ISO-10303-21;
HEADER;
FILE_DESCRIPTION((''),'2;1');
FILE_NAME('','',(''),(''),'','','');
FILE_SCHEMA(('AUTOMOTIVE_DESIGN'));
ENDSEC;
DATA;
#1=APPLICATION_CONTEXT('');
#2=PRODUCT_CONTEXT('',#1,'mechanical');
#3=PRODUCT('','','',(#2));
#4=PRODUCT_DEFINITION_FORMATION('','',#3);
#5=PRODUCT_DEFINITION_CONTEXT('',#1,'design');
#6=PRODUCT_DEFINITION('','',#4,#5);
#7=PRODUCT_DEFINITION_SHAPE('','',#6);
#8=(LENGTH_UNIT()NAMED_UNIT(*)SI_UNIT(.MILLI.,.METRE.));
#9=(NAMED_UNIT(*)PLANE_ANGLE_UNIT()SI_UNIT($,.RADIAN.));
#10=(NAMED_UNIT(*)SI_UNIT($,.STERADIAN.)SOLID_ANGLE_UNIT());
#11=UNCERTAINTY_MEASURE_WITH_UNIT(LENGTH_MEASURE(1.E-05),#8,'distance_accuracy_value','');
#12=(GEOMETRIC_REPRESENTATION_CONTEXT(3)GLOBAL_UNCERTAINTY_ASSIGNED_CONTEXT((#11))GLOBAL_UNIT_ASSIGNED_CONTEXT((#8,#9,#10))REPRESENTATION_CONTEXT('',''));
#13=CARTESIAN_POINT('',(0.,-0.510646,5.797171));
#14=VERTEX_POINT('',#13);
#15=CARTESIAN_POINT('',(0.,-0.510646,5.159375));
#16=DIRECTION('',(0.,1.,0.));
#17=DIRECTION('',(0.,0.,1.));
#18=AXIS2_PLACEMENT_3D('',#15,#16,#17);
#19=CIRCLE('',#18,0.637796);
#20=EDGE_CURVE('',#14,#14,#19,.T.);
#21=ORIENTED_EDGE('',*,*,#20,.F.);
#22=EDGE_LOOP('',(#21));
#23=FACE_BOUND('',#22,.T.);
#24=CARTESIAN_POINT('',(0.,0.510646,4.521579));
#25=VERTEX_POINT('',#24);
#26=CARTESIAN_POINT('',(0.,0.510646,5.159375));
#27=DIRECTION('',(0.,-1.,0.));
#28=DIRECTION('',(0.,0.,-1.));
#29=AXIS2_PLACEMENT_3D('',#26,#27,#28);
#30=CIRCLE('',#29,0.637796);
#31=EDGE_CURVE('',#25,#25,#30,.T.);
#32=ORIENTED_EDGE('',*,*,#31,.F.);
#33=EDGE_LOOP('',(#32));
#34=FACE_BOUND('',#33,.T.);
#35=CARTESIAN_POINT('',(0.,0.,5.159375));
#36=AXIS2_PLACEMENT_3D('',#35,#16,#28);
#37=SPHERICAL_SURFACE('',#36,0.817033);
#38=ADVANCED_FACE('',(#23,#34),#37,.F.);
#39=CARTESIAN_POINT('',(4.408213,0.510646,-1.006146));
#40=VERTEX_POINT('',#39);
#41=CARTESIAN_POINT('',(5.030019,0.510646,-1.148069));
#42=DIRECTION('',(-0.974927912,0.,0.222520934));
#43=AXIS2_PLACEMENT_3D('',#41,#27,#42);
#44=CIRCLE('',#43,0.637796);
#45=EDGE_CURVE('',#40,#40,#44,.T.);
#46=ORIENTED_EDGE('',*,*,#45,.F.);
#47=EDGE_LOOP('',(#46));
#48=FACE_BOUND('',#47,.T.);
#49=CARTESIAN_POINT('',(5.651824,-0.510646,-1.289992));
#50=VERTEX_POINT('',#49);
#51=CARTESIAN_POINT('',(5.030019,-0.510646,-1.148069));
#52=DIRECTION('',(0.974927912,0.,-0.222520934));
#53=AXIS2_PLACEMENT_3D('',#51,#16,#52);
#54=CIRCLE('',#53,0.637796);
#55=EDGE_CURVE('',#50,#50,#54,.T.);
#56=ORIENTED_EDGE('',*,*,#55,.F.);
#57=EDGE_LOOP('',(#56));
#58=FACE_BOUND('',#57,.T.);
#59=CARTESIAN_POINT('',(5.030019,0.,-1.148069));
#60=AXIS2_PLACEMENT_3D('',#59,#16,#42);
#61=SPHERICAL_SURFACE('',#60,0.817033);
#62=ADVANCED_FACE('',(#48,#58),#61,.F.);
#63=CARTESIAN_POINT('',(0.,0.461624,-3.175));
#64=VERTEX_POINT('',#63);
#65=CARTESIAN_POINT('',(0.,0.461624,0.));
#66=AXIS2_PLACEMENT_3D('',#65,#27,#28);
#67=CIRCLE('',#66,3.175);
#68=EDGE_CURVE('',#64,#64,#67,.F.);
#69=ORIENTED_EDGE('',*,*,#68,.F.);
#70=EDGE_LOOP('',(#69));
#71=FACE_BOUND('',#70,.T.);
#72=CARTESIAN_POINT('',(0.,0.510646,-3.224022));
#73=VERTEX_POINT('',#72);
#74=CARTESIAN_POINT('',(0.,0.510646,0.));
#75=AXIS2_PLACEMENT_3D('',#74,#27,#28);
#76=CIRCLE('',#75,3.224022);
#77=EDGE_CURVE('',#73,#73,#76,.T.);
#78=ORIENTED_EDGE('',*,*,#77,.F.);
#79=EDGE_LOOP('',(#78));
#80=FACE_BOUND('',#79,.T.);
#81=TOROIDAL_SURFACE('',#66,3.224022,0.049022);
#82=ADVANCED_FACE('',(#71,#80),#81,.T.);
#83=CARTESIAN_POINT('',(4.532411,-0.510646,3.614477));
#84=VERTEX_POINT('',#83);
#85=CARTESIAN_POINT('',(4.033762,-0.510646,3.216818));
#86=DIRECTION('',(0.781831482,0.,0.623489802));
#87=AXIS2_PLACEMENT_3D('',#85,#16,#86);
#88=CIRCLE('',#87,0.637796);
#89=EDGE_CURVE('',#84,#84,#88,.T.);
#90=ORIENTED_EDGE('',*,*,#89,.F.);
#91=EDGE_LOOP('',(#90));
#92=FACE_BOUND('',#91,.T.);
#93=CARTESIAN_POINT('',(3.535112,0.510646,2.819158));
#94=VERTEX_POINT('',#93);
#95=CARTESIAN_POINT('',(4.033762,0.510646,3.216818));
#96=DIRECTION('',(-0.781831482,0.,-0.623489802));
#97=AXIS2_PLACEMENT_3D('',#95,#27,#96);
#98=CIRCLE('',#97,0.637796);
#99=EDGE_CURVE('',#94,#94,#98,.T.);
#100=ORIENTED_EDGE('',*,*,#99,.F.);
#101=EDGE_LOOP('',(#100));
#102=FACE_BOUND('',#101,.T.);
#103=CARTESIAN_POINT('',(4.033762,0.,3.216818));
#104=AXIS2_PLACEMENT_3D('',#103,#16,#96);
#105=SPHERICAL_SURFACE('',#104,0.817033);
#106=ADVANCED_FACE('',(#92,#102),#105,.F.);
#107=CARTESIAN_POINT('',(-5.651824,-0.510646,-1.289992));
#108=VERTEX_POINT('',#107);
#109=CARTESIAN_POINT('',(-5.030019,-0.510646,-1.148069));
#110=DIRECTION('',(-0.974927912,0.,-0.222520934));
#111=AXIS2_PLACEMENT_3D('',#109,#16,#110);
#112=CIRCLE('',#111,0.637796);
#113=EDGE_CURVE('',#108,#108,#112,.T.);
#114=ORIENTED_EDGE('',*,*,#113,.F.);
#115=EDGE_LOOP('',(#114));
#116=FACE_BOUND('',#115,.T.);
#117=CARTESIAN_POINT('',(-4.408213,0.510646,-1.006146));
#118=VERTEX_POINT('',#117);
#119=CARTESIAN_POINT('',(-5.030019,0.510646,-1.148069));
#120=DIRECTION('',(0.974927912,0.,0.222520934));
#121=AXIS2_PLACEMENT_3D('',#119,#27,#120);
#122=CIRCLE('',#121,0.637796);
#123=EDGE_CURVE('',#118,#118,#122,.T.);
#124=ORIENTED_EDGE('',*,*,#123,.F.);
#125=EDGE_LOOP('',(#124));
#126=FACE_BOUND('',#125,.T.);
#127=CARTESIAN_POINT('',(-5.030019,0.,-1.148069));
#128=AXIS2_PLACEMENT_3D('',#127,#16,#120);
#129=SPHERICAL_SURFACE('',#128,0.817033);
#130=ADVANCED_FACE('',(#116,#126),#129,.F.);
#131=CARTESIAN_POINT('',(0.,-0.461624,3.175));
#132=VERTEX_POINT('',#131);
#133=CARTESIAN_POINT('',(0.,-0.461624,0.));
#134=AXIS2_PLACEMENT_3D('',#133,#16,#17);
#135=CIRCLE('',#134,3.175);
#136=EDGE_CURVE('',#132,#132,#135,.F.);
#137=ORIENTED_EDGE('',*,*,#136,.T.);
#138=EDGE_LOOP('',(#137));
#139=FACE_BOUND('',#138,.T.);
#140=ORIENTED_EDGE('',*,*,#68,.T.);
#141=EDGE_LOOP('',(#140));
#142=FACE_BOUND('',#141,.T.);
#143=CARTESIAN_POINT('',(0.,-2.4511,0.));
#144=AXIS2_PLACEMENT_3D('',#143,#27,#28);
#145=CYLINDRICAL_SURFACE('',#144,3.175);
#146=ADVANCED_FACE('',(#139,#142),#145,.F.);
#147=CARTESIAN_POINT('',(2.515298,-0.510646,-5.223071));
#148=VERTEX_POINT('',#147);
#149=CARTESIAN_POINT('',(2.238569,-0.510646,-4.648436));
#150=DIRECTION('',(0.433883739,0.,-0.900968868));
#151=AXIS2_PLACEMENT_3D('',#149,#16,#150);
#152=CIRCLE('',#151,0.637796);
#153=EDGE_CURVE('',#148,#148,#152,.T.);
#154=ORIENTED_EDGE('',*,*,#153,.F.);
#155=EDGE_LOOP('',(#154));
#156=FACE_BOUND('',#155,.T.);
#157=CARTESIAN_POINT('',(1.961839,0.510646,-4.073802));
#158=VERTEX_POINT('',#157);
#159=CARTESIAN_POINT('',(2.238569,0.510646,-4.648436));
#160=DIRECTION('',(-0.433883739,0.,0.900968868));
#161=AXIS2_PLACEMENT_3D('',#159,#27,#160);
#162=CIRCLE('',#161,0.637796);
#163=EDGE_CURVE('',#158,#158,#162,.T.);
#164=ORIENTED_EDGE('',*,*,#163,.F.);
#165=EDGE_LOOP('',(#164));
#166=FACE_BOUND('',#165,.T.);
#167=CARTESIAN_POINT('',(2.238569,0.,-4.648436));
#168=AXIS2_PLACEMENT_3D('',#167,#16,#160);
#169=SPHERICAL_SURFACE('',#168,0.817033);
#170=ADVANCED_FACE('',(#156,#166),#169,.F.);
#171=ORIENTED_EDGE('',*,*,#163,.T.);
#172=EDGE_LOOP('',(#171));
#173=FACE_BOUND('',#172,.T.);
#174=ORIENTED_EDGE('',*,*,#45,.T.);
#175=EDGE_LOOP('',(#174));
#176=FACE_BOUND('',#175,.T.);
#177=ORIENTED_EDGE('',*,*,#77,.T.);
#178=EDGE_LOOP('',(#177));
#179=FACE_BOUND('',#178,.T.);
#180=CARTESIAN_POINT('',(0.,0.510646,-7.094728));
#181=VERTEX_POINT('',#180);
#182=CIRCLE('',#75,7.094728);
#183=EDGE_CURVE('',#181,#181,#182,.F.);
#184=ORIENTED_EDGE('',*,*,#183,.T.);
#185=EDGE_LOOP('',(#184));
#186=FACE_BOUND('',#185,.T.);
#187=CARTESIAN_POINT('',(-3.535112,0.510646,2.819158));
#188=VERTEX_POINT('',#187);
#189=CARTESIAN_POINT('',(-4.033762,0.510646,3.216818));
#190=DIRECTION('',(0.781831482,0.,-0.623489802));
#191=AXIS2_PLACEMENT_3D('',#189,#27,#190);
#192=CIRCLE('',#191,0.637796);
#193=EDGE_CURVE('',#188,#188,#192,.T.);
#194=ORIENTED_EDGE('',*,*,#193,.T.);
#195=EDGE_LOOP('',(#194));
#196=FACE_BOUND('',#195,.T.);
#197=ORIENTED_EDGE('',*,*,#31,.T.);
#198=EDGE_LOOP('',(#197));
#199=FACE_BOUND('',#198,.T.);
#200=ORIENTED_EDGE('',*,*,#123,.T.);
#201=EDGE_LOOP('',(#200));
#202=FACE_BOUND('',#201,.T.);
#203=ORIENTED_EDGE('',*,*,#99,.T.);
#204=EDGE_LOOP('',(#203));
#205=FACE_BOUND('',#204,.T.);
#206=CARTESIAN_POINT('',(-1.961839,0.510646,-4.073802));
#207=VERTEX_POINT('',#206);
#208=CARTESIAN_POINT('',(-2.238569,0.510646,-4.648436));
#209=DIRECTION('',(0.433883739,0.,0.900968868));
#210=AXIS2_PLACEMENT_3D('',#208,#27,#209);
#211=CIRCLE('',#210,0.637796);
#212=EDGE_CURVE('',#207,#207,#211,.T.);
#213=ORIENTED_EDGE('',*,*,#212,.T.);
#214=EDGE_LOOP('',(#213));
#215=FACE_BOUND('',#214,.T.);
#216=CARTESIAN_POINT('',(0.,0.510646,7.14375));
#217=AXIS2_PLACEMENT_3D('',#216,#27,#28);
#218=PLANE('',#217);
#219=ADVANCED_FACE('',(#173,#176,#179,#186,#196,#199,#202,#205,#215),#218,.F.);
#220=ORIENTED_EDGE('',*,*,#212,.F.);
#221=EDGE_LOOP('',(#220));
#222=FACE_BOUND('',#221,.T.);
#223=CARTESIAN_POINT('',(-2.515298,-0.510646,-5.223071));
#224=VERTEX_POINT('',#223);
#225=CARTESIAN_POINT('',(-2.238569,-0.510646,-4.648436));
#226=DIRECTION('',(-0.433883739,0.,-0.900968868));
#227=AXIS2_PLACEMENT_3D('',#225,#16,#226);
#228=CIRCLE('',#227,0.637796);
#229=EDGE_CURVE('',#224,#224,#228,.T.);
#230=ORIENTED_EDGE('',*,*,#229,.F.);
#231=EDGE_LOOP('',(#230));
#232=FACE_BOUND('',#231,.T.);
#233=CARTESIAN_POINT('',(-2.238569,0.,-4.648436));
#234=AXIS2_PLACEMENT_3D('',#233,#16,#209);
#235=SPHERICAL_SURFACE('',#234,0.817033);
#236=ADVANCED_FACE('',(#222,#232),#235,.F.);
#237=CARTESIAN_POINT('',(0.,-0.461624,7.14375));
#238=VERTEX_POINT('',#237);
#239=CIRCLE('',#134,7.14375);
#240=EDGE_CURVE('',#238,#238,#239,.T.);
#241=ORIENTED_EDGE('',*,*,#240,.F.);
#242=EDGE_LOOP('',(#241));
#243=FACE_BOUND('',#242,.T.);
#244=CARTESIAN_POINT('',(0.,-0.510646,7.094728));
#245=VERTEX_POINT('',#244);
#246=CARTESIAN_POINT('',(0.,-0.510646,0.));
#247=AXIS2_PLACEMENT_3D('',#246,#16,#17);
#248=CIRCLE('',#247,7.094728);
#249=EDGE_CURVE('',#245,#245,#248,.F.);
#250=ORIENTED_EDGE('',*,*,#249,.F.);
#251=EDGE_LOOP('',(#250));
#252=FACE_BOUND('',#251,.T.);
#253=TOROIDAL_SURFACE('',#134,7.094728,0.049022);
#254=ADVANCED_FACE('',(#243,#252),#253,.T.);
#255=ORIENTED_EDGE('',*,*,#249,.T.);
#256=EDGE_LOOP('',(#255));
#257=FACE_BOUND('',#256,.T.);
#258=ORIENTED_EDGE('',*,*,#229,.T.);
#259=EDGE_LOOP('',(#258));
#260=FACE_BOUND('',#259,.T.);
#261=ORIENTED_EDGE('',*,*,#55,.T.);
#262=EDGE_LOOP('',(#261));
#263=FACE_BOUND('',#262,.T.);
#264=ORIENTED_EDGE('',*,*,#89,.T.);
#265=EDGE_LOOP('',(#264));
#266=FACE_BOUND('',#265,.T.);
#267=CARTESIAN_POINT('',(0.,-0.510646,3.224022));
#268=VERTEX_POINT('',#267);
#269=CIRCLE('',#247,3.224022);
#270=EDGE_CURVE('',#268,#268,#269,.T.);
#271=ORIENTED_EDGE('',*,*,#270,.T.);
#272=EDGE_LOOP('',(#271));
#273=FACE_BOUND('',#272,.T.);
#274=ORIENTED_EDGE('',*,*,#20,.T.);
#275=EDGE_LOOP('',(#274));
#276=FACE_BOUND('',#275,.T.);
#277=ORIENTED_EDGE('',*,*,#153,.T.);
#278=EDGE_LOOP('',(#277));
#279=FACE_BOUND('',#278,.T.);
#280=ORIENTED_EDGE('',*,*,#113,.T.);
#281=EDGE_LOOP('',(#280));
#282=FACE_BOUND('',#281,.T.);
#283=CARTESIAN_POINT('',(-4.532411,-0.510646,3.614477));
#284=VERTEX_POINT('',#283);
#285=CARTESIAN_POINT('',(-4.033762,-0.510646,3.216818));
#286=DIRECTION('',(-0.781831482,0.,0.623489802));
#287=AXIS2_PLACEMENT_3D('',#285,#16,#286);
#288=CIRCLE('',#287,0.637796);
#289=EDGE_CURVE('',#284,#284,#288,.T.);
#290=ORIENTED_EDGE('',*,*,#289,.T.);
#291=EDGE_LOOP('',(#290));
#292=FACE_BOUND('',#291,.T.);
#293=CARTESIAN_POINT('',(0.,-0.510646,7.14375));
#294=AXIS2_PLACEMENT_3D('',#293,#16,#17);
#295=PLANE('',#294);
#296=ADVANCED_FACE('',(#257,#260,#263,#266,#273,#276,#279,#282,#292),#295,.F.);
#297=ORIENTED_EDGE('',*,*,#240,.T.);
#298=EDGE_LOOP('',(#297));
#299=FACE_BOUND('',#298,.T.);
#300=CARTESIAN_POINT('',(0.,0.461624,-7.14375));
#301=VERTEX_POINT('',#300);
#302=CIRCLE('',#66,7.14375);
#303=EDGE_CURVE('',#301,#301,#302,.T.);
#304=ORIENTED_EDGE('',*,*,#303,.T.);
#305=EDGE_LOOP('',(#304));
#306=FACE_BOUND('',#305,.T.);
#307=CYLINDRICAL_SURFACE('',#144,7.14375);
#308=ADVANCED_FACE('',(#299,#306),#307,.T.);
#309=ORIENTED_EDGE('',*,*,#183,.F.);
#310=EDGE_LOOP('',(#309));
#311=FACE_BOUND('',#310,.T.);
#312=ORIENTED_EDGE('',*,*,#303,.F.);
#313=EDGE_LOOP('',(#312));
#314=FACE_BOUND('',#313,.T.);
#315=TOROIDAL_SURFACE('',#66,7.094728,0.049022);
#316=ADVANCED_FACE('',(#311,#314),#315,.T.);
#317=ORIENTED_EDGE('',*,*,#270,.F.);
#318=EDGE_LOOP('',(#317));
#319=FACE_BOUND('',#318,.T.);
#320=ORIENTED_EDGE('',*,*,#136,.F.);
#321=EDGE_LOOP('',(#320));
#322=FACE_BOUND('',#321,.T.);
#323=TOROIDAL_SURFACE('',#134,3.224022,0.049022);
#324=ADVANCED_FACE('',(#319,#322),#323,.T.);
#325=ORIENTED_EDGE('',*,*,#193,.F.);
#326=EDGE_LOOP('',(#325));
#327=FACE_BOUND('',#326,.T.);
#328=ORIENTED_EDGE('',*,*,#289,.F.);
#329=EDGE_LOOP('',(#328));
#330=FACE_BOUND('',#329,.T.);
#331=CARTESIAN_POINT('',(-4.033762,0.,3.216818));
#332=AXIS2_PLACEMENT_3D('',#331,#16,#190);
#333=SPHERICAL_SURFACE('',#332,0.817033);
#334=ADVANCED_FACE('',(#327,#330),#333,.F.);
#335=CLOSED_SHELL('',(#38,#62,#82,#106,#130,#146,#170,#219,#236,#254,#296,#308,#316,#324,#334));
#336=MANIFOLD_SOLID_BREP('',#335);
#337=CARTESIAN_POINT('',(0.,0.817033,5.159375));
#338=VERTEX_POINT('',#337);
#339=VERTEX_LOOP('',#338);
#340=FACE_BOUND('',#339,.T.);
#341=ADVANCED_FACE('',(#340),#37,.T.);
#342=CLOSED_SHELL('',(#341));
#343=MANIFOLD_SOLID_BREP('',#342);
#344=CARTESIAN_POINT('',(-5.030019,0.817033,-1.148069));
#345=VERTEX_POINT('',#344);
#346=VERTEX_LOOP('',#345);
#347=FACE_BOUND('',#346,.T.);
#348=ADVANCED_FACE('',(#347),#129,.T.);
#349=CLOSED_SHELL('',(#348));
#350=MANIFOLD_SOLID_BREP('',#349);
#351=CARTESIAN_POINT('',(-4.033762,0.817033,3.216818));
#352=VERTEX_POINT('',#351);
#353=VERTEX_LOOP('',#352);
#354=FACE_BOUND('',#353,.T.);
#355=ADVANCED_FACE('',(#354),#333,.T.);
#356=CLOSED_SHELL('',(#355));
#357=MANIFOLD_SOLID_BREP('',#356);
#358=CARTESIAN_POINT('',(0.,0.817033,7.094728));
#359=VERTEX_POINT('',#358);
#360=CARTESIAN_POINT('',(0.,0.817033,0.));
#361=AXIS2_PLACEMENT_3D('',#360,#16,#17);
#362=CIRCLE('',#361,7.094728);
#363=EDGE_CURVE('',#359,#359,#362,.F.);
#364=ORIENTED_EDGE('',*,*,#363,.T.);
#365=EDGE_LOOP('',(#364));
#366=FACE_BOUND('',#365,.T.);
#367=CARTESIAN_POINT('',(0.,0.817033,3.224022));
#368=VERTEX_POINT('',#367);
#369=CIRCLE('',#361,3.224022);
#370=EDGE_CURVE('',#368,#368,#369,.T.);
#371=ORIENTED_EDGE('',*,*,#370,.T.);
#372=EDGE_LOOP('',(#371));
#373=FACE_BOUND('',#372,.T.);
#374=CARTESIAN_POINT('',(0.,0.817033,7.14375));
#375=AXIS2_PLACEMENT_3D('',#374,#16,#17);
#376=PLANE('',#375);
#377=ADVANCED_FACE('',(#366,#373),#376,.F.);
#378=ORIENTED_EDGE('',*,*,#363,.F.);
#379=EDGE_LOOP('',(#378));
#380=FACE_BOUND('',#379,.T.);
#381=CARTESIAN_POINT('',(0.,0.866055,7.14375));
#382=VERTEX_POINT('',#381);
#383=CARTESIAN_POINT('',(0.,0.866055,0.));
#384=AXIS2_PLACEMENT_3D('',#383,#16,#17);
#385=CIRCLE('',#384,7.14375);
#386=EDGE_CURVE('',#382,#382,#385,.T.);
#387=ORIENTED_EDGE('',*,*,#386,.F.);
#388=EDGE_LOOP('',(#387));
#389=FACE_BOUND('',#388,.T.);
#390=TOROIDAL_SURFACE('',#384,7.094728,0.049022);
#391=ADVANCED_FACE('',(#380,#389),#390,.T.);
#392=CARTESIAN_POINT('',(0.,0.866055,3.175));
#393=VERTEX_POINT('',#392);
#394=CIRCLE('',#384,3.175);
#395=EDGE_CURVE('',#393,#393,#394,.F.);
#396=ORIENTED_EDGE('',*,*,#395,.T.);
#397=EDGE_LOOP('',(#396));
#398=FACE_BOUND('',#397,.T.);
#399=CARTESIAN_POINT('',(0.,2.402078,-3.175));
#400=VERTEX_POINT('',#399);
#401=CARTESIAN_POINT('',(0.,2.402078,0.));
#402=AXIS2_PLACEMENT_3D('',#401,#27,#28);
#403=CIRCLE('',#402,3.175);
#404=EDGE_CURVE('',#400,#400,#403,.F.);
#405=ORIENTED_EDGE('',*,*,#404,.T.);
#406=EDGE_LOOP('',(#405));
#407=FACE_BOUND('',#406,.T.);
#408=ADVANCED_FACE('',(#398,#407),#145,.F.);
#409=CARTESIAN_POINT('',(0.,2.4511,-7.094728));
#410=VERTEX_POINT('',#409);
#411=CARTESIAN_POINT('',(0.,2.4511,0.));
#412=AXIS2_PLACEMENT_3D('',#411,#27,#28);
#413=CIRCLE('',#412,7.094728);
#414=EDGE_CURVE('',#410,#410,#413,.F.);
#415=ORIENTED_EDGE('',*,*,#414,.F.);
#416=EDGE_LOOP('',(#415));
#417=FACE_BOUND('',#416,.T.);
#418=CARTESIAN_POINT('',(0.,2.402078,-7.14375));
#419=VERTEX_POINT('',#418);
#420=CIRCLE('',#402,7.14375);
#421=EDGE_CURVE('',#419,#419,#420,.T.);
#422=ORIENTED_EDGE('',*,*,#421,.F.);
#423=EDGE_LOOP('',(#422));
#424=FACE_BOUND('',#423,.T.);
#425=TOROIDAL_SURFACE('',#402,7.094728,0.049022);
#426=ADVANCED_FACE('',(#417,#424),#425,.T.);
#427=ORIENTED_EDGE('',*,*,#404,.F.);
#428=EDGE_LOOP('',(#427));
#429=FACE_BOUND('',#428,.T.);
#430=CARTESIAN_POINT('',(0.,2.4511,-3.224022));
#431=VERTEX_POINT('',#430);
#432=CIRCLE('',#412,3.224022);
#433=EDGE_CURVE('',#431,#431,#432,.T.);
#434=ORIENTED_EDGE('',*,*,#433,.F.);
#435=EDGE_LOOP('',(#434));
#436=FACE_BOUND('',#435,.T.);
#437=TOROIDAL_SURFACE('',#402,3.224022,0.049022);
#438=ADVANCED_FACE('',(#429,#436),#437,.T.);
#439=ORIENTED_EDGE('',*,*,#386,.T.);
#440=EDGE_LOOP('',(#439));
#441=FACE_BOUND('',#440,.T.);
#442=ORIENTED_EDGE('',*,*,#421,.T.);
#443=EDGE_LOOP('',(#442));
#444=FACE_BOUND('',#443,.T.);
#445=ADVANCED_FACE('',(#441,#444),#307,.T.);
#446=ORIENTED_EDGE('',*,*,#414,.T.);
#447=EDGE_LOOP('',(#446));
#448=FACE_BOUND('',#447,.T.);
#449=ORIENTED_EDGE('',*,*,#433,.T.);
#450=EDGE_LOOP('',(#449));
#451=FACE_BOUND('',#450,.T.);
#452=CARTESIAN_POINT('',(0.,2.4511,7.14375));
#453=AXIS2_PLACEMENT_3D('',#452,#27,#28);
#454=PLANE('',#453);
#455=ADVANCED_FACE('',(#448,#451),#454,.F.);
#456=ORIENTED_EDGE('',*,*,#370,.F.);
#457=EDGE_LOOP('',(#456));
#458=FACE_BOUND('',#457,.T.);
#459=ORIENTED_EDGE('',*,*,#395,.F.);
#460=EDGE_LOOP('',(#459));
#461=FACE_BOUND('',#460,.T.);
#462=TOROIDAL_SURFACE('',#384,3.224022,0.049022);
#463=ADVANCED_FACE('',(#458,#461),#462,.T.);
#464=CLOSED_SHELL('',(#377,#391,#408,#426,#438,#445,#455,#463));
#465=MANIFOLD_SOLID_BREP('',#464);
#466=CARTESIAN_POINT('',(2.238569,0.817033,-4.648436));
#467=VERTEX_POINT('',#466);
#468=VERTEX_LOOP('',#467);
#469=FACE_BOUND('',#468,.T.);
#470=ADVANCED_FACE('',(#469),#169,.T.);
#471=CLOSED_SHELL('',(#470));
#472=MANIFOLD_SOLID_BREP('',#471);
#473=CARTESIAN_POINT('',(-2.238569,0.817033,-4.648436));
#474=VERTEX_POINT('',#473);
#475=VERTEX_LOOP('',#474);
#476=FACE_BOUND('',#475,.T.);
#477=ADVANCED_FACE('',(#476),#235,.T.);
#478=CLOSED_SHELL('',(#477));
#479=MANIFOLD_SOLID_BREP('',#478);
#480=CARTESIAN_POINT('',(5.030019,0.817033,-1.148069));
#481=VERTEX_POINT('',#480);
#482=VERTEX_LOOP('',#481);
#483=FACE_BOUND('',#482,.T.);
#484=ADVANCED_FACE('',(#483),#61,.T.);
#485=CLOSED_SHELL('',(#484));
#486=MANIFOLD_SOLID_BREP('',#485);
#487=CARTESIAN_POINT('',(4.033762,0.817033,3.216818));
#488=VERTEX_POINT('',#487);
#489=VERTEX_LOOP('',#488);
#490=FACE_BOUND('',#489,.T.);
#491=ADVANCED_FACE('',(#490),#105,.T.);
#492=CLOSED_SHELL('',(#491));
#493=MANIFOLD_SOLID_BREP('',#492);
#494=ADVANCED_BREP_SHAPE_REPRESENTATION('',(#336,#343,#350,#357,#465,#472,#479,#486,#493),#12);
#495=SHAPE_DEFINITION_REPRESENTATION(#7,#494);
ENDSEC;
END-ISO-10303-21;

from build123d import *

# Parameters (mm, degrees)
SKETCH1_W         = 3.96875
SKETCH1_H         = 1.021291666
CIRPATTERN1_COUNT = 7
CIRPATTERN1_ANGLE = 308.571428571
CIRPATTERN2_COUNT = 7
SKETCH4_W         = 3.96875
SKETCH4_H         = 1.634066667
FILLET1_R         = 0.049022
FILLET2_R         = 0.049022


with BuildPart() as part:
    # Sketch1 → Revolve1 (revolve)
    with BuildSketch(Plane(origin=(0, 0, 0), x_dir=(0, 0, -1), z_dir=(1, 0, 0))):
        with Locations((-5.159375, 0)):
            Rectangle(SKETCH1_W, SKETCH1_H)
    revolve(axis=Axis((0, -2.4511, 0), (0, 1, 0)))

    # Sketch3 → Cut-Revolve1 (revolve, cut)
    with BuildSketch(Plane(origin=(0, 0, 0), x_dir=(0, 0, -1), z_dir=(1, 0, 0))):
        with BuildLine():
            Line((-5.159375, 0.817033333), (-5.159375, -0.817033333))
            ThreePointArc((-5.159375, -0.817033333), (-5.976408333, 0), (-5.159375, 0.817033333))
        make_face()
    cut_revolve1 = revolve(axis=Axis((0, 0.817033333, 5.159375), (0, -1, 0)), mode=Mode.SUBTRACT)

    # CirPattern2: Cut-Revolve1 ×7 about axis
    cirpattern2_axis = Axis((0, 0, 0), (0, 1, 0))
    for i in range(1, CIRPATTERN2_COUNT):
        add(cut_revolve1.rotate(cirpattern2_axis, i * 360 / CIRPATTERN2_COUNT), mode=Mode.SUBTRACT)

    # Fillet2
    fillet2_edges = [part.edges().sort_by_distance(p)[0] for p in [
        (0, 0.510645833, -7.14375),
        (0, 0.510645833, -3.175),
        (0, -0.510645833, -3.175),
        (0, -0.510645833, -7.14375),
    ]]
    fillet(fillet2_edges, radius=FILLET2_R)


with BuildPart() as body_2:
    # Sketch2 → Revolve2 (revolve)
    with BuildSketch(Plane(origin=(0, 0, 0), x_dir=(0, 0, -1), z_dir=(1, 0, 0))):
        with BuildLine():
            Line((-5.159375, 0.817033333), (-5.159375, -0.817033333))
            ThreePointArc((-5.159375, -0.817033333), (-5.976408333, 0), (-5.159375, 0.817033333))
        make_face()
    revolve(axis=Axis((0, 0.817033333, 5.159375), (0, -1, 0)))


with BuildPart() as cirpattern1_1:
    # CirPattern1: pattern copy
    add(body_2.part.rotate(Axis((0, 2.4511, 0), (0, -1, 0)), 1 * CIRPATTERN1_ANGLE / (CIRPATTERN1_COUNT - 1)))


with BuildPart() as cirpattern1_2:
    # CirPattern1: pattern copy
    add(body_2.part.rotate(Axis((0, 2.4511, 0), (0, -1, 0)), 2 * CIRPATTERN1_ANGLE / (CIRPATTERN1_COUNT - 1)))


with BuildPart() as cirpattern1_3:
    # CirPattern1: pattern copy
    add(body_2.part.rotate(Axis((0, 2.4511, 0), (0, -1, 0)), 3 * CIRPATTERN1_ANGLE / (CIRPATTERN1_COUNT - 1)))


with BuildPart() as cirpattern1_4:
    # CirPattern1: pattern copy
    add(body_2.part.rotate(Axis((0, 2.4511, 0), (0, -1, 0)), 4 * CIRPATTERN1_ANGLE / (CIRPATTERN1_COUNT - 1)))


with BuildPart() as cirpattern1_5:
    # CirPattern1: pattern copy
    add(body_2.part.rotate(Axis((0, 2.4511, 0), (0, -1, 0)), 5 * CIRPATTERN1_ANGLE / (CIRPATTERN1_COUNT - 1)))


with BuildPart() as cirpattern1_6:
    # CirPattern1: pattern copy
    add(body_2.part.rotate(Axis((0, 2.4511, 0), (0, -1, 0)), 6 * CIRPATTERN1_ANGLE / (CIRPATTERN1_COUNT - 1)))


with BuildPart() as body_9:
    # Sketch4 → Revolve3 (revolve)
    with BuildSketch(Plane(origin=(0, 0, 0), x_dir=(0, 0, -1), z_dir=(1, 0, 0))):
        with Locations((-5.159375, 1.634066667)):
            Rectangle(SKETCH4_W, SKETCH4_H)
    revolve(axis=Axis((0, -2.4511, 0), (0, 1, 0)))

    # Fillet1
    fillet1_edges = [body_9.edges().sort_by_distance(p)[0] for p in [
        (0, 0.817033333, -7.14375),
        (0, 0.817033333, -3.175),
        (0, 2.4511, -3.175),
        (0, 2.4511, -7.14375),
    ]]
    fillet(fillet1_edges, radius=FILLET1_R)


solid = Compound([part.part, body_2.part, cirpattern1_1.part, cirpattern1_2.part, cirpattern1_3.part, cirpattern1_4.part, cirpattern1_5.part, cirpattern1_6.part, body_9.part])
